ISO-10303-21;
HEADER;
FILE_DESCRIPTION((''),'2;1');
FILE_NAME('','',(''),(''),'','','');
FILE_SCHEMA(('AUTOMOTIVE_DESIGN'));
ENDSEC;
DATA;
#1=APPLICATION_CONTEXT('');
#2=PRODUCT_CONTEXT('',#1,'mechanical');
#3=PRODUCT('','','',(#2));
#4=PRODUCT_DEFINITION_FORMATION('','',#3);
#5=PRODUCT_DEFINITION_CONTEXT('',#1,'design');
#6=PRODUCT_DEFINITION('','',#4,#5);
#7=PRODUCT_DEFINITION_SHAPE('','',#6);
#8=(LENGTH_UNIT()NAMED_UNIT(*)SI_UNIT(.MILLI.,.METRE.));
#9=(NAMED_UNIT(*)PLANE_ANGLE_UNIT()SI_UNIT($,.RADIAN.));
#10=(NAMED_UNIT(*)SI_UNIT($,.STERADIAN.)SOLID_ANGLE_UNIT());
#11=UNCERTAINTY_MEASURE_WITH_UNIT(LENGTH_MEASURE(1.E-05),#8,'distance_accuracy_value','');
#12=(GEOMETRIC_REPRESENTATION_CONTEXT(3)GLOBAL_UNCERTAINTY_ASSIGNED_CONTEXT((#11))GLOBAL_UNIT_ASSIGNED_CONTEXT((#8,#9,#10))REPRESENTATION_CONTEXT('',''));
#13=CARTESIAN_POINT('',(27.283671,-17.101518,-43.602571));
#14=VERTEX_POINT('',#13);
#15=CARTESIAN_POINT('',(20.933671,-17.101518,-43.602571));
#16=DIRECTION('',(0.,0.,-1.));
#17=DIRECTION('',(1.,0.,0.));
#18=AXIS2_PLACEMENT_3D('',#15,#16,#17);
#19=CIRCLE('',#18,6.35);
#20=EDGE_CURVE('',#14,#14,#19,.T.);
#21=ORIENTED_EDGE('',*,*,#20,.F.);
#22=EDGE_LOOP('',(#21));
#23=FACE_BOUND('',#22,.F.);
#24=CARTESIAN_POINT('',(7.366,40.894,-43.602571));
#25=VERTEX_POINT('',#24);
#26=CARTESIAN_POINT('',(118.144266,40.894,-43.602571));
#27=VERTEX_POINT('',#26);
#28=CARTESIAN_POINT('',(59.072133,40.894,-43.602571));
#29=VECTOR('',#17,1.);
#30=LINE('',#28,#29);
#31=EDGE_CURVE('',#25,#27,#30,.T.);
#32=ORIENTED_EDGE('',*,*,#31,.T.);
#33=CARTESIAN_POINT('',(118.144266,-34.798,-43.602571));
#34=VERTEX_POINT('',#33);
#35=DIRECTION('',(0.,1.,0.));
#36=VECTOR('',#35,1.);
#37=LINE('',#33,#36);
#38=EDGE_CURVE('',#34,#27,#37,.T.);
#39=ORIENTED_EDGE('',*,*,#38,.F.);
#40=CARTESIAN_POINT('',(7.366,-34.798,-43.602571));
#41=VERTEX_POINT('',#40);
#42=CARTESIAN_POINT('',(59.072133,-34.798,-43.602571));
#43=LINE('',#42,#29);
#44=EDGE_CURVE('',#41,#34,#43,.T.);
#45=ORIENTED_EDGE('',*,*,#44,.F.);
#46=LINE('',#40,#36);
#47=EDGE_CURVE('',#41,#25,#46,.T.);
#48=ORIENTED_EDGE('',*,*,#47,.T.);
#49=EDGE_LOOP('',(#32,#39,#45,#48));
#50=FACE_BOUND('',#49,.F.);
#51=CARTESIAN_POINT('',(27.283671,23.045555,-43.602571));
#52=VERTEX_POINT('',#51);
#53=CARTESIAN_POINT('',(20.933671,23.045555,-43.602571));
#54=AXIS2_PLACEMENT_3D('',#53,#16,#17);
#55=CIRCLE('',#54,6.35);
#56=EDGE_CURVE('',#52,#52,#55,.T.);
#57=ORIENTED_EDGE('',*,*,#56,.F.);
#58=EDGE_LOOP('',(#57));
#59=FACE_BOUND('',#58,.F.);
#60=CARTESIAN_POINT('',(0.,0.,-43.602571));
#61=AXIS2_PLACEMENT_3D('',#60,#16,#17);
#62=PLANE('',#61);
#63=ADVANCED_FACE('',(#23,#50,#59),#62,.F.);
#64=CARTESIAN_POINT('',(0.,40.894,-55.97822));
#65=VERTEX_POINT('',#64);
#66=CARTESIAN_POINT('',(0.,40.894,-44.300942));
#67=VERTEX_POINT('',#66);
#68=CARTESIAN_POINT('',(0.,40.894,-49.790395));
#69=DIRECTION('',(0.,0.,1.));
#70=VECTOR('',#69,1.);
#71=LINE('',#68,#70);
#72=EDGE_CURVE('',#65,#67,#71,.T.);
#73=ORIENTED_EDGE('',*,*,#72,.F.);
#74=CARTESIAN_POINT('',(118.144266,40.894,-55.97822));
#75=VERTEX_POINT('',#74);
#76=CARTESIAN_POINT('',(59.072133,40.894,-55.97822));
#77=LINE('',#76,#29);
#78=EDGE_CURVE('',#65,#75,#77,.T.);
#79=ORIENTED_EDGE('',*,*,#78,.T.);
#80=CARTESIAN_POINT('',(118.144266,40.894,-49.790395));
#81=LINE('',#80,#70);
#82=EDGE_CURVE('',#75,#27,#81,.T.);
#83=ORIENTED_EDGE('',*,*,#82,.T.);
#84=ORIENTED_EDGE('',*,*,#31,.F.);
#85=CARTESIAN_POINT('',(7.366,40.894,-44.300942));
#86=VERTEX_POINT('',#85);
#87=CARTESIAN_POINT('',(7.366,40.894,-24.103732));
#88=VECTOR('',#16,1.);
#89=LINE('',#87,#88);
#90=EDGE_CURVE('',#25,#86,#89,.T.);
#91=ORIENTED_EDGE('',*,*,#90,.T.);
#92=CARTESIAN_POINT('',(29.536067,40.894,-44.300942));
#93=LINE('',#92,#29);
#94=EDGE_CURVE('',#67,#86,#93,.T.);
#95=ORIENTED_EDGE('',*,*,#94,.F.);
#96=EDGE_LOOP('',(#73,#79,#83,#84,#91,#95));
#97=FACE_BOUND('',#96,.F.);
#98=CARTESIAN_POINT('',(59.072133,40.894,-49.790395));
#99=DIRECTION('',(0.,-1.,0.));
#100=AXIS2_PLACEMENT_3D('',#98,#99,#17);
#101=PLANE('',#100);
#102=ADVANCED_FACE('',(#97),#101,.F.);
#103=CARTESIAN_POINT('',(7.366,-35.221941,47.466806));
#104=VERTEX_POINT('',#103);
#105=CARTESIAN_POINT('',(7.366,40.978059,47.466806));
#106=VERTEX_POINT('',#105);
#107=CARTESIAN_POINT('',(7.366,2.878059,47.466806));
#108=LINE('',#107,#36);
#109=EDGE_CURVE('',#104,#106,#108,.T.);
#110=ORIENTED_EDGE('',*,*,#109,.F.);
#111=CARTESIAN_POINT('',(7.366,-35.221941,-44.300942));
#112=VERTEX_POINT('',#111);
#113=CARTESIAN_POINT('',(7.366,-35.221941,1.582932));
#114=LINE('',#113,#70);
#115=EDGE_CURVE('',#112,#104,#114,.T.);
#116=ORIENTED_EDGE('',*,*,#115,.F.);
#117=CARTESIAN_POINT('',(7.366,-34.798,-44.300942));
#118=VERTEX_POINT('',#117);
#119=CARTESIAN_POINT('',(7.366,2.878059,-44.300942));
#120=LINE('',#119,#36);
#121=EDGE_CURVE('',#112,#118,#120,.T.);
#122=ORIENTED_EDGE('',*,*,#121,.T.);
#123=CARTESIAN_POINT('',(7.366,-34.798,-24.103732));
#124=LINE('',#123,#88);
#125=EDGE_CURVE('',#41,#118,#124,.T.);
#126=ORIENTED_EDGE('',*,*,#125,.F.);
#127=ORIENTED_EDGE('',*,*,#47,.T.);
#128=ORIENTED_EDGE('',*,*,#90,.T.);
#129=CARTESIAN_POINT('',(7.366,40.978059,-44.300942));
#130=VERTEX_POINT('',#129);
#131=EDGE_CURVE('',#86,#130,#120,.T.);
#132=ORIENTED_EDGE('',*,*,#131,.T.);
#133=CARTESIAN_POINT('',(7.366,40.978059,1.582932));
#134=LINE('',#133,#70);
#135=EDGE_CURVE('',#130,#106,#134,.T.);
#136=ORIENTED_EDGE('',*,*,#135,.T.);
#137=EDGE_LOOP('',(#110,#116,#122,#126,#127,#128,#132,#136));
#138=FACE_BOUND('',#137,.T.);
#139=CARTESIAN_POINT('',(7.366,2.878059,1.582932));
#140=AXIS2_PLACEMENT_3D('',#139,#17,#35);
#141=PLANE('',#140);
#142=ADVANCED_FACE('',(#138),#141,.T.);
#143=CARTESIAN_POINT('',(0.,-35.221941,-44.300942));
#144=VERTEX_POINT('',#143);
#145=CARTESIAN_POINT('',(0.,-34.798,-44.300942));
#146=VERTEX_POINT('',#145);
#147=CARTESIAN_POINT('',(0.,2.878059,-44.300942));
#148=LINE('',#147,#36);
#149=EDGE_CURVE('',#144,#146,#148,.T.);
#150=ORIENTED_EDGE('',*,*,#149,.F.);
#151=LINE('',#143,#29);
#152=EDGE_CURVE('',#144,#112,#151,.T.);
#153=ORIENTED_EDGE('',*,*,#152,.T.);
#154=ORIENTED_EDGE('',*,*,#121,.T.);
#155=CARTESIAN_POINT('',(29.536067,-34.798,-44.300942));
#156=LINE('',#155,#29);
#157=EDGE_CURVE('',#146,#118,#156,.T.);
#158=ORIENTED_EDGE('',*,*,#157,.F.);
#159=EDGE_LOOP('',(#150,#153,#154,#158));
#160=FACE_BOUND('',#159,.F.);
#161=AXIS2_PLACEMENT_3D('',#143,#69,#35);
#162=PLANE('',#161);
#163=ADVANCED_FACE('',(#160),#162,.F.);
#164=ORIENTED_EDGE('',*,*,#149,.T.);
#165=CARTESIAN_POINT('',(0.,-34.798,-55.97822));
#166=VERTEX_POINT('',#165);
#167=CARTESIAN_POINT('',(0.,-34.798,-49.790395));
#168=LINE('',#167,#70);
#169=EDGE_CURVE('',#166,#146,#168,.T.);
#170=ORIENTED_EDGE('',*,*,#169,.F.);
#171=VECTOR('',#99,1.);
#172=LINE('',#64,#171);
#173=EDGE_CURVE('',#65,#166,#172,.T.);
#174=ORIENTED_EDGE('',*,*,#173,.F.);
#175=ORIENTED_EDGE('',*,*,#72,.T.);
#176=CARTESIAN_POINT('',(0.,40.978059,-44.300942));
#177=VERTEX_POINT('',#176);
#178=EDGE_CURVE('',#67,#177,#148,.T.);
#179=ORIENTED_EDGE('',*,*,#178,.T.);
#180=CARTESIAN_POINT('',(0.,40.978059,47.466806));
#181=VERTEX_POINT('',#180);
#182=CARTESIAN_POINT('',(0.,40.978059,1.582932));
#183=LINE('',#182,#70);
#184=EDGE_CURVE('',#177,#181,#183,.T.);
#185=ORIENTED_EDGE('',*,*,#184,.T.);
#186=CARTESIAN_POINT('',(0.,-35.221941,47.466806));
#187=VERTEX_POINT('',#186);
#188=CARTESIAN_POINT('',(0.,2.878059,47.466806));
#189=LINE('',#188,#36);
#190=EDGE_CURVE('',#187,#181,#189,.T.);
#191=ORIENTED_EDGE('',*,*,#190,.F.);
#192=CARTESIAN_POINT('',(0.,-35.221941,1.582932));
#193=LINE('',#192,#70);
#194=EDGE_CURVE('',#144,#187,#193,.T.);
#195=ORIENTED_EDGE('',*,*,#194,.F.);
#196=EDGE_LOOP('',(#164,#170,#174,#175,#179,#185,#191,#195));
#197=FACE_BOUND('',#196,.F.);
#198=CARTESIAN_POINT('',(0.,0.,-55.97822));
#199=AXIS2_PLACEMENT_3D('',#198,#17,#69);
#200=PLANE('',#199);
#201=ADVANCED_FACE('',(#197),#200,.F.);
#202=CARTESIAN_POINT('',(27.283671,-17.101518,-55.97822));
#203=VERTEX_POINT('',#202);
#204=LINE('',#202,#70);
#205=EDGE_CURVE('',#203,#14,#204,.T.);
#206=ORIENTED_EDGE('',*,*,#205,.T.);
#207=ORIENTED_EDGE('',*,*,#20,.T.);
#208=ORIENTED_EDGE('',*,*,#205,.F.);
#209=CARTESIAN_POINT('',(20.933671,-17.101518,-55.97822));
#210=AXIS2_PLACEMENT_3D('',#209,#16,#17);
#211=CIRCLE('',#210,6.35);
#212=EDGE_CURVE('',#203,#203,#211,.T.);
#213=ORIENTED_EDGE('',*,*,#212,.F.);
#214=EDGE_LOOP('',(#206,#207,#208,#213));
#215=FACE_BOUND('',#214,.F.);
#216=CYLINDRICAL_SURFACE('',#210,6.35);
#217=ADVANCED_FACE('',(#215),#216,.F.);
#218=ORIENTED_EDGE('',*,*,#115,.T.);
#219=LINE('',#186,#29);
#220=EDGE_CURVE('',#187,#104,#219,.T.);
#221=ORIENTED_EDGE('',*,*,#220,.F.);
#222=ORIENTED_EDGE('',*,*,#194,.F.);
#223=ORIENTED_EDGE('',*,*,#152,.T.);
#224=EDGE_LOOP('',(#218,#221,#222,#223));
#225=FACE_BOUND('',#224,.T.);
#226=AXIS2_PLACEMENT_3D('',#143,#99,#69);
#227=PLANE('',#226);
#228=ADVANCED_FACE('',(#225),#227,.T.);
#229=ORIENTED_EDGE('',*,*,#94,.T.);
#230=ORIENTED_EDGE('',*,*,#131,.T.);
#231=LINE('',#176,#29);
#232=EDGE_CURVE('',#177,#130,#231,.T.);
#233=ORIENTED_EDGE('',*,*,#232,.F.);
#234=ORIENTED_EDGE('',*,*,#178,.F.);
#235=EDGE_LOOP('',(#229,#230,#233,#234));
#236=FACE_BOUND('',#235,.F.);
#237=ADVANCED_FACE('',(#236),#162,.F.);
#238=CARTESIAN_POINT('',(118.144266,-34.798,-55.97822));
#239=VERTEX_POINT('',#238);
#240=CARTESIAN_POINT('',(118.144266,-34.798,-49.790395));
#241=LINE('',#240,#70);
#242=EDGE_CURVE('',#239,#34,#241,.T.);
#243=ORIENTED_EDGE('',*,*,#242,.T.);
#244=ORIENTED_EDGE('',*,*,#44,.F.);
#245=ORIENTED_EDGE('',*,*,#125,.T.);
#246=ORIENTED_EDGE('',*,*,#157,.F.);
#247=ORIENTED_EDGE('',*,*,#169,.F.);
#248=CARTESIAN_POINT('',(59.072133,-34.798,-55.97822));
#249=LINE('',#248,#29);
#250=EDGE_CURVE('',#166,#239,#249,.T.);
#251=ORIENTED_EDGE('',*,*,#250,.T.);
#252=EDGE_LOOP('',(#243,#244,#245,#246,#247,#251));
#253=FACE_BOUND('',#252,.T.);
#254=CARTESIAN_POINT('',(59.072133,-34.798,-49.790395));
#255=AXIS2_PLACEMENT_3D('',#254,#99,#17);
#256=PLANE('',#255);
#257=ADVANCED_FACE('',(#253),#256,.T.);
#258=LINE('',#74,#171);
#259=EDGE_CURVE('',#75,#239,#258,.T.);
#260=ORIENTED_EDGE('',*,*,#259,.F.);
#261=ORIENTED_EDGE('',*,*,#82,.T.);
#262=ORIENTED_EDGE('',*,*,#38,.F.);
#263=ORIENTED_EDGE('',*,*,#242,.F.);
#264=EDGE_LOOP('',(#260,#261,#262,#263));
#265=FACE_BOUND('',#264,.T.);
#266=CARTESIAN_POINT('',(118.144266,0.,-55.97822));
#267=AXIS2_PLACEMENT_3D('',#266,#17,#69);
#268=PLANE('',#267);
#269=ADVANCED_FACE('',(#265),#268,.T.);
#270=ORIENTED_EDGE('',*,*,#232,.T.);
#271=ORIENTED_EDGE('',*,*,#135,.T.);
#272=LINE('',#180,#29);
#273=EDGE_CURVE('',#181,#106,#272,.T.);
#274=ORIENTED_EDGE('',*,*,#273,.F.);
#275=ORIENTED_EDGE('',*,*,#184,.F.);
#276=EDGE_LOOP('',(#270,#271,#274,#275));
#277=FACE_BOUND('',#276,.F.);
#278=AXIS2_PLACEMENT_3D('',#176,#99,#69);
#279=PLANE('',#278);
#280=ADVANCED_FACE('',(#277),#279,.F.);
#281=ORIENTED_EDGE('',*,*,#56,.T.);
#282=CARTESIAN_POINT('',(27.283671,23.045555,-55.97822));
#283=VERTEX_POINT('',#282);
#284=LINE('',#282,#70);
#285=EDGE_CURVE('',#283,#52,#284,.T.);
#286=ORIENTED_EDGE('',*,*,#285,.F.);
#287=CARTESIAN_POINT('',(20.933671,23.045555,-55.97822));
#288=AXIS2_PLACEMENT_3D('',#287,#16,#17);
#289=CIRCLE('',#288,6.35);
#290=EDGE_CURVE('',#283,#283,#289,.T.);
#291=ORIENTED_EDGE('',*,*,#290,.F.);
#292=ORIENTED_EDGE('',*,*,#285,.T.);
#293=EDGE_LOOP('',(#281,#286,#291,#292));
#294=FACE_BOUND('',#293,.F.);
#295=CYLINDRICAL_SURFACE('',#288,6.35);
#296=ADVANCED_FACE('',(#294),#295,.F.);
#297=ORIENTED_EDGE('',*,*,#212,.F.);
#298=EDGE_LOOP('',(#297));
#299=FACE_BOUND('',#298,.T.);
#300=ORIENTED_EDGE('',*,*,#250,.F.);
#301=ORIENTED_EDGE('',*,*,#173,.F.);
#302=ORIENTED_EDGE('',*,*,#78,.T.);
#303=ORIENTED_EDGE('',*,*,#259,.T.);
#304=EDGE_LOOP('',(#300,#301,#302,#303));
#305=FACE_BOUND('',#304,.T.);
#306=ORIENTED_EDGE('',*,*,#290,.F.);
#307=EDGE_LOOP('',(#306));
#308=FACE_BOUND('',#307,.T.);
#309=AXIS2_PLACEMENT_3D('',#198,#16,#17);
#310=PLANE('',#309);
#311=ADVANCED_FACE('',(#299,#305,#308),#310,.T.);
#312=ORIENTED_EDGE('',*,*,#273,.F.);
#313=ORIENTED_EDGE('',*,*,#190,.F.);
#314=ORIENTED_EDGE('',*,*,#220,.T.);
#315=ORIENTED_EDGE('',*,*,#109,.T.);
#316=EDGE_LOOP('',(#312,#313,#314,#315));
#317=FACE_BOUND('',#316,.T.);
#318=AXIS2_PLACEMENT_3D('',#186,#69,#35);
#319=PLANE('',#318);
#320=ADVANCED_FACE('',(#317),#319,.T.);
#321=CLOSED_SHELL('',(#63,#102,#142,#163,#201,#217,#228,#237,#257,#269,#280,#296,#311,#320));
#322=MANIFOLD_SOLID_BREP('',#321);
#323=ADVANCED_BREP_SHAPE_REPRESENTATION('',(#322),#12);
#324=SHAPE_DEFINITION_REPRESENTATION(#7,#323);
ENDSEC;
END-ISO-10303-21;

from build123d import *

# Parameters (mm, degrees)
F0_W     = 76.2
F0_H     = 91.7677478655
F1_DEPTH = 7.366
F2_W     = 118.1442663074
F2_H     = 12.3756490648
F3_DEPTH = 34.798
F4_DEPTH = 40.894
F5_R     = 6.35
F6_DEPTH = 25.4


with BuildPart() as f1:
    # F0 (on Right) → F1 (new body)
    with BuildSketch(Plane.YZ):
        with Locations((2.8780587018, 1.5829317272)):
            Rectangle(F0_W, F0_H)
    extrude(amount=F1_DEPTH)

    # F2 (on Front) → F3 (join)
    with BuildSketch(Plane.XZ):
        with Locations((59.0721331537, -49.7903954238)):
            Rectangle(F2_W, F2_H)
    extrude(amount=F3_DEPTH)

    # F2 (on Front) → F4 (join)
    with BuildSketch(Plane.XZ):
        with Locations((59.0721331537, -49.7903954238)):
            Rectangle(F2_W, F2_H)
    extrude(amount=-F4_DEPTH)

    # F5 (on face) → F6 (cut)
    with BuildSketch(Plane(origin=(0, 0, -55.9782199562), x_dir=(1, 0, 0), z_dir=(0, 0, -1))):
        with Locations((20.9336709231, -23.0455552376)):
            Circle(F5_R)
        with Locations((20.9336709231, 17.1015182538)):
            Circle(F5_R)
    extrude(amount=-F6_DEPTH, mode=Mode.SUBTRACT)


solid = f1.part
